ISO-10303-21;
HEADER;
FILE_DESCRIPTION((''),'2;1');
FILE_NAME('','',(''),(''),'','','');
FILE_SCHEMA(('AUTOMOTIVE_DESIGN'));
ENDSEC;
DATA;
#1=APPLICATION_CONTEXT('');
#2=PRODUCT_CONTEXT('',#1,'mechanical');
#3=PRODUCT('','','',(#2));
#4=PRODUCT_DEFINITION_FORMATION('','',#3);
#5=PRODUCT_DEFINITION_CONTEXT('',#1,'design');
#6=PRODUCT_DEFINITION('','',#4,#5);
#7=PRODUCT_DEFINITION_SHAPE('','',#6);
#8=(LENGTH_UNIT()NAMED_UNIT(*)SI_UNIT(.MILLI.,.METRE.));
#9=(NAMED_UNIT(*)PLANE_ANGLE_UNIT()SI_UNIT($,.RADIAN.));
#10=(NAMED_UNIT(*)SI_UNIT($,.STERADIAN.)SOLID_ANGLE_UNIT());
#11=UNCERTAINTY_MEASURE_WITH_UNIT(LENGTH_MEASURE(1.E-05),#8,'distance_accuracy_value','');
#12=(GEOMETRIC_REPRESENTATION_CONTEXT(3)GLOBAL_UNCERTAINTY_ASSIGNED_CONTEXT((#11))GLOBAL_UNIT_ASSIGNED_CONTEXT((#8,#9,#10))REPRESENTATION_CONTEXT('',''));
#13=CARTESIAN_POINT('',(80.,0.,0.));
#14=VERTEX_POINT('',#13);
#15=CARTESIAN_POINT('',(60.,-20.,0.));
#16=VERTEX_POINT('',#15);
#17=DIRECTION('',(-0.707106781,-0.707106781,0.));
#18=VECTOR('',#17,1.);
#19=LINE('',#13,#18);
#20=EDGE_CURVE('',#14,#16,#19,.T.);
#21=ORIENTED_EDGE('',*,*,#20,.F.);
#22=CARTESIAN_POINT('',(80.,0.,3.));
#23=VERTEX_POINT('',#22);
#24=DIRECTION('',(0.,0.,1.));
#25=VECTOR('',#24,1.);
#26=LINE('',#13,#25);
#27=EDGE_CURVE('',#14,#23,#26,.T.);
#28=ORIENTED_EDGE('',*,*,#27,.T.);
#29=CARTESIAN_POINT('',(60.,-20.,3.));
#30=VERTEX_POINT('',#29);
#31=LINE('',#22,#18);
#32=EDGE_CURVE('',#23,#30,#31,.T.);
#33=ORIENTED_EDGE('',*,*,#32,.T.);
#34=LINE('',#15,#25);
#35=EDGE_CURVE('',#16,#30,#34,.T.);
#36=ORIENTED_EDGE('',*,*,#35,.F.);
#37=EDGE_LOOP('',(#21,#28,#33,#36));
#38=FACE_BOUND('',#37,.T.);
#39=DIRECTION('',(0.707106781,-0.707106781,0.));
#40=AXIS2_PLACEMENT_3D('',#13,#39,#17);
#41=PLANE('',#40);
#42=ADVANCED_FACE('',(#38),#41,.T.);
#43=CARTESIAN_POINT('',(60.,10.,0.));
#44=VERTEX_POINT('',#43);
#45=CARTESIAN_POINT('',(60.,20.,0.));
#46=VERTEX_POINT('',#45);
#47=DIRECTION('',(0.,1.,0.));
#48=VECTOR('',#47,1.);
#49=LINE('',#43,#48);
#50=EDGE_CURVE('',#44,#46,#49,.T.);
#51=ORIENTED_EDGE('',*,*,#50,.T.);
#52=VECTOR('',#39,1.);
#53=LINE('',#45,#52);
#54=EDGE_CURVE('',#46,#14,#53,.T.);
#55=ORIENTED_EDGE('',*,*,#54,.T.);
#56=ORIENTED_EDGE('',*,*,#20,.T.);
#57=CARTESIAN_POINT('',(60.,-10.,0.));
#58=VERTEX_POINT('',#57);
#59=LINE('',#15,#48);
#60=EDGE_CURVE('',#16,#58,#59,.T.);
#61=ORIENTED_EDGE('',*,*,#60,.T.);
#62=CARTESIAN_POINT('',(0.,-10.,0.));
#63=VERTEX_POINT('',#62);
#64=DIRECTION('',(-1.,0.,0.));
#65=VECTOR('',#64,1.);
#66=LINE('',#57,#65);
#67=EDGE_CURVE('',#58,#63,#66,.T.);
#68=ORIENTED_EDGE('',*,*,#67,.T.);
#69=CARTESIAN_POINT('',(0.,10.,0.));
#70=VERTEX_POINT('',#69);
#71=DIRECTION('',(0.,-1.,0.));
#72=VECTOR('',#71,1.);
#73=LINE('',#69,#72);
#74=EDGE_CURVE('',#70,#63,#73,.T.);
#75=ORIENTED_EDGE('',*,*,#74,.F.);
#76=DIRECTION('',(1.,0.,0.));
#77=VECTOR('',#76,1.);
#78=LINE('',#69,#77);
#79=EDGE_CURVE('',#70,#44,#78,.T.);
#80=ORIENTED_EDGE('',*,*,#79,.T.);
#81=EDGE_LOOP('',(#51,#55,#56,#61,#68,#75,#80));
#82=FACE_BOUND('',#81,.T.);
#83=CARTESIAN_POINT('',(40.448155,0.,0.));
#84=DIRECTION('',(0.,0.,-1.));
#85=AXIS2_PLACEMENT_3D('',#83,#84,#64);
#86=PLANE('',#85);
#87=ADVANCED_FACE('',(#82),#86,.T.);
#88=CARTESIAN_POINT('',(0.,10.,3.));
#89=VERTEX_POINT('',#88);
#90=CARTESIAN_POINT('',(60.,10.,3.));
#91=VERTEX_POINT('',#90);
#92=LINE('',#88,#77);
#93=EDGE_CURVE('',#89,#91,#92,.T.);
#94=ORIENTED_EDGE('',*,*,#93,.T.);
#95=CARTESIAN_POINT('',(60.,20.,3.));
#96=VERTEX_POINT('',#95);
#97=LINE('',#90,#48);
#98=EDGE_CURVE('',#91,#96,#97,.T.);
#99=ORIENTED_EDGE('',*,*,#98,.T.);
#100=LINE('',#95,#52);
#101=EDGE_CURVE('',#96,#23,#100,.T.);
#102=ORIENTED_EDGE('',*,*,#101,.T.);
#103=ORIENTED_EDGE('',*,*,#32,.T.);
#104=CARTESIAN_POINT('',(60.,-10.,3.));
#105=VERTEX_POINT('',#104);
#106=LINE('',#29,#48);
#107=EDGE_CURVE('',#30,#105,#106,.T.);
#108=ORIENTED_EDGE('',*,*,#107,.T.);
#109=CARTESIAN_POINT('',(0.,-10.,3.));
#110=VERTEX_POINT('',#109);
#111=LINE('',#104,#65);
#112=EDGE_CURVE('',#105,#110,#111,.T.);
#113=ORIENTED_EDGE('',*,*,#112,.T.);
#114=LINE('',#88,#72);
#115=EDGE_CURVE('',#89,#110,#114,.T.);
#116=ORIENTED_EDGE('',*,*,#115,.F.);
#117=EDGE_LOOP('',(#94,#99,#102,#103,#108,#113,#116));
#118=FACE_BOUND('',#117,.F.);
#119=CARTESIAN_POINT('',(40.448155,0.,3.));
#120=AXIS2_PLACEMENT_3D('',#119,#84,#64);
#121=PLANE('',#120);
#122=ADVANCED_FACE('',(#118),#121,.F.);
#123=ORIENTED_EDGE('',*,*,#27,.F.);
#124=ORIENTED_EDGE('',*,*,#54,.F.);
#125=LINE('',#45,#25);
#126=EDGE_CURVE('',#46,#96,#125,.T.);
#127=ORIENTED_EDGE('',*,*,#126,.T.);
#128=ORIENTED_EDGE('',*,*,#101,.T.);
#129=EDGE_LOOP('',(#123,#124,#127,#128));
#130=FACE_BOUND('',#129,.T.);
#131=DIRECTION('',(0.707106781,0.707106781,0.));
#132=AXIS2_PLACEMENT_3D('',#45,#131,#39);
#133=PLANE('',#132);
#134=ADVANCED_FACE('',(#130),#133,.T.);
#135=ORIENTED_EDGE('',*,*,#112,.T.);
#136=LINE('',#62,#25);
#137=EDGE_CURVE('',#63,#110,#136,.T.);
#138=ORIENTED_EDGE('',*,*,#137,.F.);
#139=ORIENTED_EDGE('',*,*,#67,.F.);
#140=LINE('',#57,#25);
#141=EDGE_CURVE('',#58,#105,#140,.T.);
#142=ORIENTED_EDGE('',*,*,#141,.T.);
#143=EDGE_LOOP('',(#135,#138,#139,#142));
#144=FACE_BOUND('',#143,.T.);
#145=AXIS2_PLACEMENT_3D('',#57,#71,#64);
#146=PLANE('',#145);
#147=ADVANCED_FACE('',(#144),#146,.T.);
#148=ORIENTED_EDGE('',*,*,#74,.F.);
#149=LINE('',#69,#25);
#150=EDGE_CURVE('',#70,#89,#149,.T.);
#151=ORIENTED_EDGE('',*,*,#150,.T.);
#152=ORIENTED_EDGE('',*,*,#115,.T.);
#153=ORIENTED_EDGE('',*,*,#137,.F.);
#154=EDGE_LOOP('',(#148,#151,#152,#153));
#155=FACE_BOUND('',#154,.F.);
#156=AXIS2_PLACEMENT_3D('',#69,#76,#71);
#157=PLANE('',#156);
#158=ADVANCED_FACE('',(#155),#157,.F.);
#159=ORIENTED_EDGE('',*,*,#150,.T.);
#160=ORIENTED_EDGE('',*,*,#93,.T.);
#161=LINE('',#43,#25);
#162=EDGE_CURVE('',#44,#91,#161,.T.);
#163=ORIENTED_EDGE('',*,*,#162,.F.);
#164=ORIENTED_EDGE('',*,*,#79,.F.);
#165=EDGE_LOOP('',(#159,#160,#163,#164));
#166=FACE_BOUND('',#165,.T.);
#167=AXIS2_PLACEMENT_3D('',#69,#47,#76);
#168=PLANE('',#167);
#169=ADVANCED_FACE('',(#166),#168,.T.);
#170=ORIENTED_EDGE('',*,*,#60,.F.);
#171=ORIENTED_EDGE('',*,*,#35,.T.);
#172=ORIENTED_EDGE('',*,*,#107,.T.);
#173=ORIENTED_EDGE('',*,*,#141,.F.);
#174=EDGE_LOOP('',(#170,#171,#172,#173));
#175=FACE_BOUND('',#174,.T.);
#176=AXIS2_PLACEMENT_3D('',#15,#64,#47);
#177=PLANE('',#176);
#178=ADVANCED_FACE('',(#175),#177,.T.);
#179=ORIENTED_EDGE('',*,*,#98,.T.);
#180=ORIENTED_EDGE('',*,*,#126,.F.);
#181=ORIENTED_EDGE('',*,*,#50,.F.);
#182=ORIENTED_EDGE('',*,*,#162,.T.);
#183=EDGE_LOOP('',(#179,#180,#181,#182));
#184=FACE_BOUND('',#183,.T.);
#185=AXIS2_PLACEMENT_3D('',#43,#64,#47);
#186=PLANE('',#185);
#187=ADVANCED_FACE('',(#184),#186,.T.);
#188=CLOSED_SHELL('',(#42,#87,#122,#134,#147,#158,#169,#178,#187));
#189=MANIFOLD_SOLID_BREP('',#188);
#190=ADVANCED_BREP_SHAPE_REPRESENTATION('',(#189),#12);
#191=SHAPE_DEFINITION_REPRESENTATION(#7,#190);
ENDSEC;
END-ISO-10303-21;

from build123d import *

# Parameters (mm, degrees)
PAD_DEPTH = 3


with BuildPart() as part:
    # Sketch → Pad (new body)
    with BuildSketch(Plane.XY):
        Polygon((0, 10), (60, 10), (60, 20), (80, 0), (60, -20), (60, -10), (0, -10), (0, 0), align=None)
    extrude(amount=PAD_DEPTH)


solid = part.part
